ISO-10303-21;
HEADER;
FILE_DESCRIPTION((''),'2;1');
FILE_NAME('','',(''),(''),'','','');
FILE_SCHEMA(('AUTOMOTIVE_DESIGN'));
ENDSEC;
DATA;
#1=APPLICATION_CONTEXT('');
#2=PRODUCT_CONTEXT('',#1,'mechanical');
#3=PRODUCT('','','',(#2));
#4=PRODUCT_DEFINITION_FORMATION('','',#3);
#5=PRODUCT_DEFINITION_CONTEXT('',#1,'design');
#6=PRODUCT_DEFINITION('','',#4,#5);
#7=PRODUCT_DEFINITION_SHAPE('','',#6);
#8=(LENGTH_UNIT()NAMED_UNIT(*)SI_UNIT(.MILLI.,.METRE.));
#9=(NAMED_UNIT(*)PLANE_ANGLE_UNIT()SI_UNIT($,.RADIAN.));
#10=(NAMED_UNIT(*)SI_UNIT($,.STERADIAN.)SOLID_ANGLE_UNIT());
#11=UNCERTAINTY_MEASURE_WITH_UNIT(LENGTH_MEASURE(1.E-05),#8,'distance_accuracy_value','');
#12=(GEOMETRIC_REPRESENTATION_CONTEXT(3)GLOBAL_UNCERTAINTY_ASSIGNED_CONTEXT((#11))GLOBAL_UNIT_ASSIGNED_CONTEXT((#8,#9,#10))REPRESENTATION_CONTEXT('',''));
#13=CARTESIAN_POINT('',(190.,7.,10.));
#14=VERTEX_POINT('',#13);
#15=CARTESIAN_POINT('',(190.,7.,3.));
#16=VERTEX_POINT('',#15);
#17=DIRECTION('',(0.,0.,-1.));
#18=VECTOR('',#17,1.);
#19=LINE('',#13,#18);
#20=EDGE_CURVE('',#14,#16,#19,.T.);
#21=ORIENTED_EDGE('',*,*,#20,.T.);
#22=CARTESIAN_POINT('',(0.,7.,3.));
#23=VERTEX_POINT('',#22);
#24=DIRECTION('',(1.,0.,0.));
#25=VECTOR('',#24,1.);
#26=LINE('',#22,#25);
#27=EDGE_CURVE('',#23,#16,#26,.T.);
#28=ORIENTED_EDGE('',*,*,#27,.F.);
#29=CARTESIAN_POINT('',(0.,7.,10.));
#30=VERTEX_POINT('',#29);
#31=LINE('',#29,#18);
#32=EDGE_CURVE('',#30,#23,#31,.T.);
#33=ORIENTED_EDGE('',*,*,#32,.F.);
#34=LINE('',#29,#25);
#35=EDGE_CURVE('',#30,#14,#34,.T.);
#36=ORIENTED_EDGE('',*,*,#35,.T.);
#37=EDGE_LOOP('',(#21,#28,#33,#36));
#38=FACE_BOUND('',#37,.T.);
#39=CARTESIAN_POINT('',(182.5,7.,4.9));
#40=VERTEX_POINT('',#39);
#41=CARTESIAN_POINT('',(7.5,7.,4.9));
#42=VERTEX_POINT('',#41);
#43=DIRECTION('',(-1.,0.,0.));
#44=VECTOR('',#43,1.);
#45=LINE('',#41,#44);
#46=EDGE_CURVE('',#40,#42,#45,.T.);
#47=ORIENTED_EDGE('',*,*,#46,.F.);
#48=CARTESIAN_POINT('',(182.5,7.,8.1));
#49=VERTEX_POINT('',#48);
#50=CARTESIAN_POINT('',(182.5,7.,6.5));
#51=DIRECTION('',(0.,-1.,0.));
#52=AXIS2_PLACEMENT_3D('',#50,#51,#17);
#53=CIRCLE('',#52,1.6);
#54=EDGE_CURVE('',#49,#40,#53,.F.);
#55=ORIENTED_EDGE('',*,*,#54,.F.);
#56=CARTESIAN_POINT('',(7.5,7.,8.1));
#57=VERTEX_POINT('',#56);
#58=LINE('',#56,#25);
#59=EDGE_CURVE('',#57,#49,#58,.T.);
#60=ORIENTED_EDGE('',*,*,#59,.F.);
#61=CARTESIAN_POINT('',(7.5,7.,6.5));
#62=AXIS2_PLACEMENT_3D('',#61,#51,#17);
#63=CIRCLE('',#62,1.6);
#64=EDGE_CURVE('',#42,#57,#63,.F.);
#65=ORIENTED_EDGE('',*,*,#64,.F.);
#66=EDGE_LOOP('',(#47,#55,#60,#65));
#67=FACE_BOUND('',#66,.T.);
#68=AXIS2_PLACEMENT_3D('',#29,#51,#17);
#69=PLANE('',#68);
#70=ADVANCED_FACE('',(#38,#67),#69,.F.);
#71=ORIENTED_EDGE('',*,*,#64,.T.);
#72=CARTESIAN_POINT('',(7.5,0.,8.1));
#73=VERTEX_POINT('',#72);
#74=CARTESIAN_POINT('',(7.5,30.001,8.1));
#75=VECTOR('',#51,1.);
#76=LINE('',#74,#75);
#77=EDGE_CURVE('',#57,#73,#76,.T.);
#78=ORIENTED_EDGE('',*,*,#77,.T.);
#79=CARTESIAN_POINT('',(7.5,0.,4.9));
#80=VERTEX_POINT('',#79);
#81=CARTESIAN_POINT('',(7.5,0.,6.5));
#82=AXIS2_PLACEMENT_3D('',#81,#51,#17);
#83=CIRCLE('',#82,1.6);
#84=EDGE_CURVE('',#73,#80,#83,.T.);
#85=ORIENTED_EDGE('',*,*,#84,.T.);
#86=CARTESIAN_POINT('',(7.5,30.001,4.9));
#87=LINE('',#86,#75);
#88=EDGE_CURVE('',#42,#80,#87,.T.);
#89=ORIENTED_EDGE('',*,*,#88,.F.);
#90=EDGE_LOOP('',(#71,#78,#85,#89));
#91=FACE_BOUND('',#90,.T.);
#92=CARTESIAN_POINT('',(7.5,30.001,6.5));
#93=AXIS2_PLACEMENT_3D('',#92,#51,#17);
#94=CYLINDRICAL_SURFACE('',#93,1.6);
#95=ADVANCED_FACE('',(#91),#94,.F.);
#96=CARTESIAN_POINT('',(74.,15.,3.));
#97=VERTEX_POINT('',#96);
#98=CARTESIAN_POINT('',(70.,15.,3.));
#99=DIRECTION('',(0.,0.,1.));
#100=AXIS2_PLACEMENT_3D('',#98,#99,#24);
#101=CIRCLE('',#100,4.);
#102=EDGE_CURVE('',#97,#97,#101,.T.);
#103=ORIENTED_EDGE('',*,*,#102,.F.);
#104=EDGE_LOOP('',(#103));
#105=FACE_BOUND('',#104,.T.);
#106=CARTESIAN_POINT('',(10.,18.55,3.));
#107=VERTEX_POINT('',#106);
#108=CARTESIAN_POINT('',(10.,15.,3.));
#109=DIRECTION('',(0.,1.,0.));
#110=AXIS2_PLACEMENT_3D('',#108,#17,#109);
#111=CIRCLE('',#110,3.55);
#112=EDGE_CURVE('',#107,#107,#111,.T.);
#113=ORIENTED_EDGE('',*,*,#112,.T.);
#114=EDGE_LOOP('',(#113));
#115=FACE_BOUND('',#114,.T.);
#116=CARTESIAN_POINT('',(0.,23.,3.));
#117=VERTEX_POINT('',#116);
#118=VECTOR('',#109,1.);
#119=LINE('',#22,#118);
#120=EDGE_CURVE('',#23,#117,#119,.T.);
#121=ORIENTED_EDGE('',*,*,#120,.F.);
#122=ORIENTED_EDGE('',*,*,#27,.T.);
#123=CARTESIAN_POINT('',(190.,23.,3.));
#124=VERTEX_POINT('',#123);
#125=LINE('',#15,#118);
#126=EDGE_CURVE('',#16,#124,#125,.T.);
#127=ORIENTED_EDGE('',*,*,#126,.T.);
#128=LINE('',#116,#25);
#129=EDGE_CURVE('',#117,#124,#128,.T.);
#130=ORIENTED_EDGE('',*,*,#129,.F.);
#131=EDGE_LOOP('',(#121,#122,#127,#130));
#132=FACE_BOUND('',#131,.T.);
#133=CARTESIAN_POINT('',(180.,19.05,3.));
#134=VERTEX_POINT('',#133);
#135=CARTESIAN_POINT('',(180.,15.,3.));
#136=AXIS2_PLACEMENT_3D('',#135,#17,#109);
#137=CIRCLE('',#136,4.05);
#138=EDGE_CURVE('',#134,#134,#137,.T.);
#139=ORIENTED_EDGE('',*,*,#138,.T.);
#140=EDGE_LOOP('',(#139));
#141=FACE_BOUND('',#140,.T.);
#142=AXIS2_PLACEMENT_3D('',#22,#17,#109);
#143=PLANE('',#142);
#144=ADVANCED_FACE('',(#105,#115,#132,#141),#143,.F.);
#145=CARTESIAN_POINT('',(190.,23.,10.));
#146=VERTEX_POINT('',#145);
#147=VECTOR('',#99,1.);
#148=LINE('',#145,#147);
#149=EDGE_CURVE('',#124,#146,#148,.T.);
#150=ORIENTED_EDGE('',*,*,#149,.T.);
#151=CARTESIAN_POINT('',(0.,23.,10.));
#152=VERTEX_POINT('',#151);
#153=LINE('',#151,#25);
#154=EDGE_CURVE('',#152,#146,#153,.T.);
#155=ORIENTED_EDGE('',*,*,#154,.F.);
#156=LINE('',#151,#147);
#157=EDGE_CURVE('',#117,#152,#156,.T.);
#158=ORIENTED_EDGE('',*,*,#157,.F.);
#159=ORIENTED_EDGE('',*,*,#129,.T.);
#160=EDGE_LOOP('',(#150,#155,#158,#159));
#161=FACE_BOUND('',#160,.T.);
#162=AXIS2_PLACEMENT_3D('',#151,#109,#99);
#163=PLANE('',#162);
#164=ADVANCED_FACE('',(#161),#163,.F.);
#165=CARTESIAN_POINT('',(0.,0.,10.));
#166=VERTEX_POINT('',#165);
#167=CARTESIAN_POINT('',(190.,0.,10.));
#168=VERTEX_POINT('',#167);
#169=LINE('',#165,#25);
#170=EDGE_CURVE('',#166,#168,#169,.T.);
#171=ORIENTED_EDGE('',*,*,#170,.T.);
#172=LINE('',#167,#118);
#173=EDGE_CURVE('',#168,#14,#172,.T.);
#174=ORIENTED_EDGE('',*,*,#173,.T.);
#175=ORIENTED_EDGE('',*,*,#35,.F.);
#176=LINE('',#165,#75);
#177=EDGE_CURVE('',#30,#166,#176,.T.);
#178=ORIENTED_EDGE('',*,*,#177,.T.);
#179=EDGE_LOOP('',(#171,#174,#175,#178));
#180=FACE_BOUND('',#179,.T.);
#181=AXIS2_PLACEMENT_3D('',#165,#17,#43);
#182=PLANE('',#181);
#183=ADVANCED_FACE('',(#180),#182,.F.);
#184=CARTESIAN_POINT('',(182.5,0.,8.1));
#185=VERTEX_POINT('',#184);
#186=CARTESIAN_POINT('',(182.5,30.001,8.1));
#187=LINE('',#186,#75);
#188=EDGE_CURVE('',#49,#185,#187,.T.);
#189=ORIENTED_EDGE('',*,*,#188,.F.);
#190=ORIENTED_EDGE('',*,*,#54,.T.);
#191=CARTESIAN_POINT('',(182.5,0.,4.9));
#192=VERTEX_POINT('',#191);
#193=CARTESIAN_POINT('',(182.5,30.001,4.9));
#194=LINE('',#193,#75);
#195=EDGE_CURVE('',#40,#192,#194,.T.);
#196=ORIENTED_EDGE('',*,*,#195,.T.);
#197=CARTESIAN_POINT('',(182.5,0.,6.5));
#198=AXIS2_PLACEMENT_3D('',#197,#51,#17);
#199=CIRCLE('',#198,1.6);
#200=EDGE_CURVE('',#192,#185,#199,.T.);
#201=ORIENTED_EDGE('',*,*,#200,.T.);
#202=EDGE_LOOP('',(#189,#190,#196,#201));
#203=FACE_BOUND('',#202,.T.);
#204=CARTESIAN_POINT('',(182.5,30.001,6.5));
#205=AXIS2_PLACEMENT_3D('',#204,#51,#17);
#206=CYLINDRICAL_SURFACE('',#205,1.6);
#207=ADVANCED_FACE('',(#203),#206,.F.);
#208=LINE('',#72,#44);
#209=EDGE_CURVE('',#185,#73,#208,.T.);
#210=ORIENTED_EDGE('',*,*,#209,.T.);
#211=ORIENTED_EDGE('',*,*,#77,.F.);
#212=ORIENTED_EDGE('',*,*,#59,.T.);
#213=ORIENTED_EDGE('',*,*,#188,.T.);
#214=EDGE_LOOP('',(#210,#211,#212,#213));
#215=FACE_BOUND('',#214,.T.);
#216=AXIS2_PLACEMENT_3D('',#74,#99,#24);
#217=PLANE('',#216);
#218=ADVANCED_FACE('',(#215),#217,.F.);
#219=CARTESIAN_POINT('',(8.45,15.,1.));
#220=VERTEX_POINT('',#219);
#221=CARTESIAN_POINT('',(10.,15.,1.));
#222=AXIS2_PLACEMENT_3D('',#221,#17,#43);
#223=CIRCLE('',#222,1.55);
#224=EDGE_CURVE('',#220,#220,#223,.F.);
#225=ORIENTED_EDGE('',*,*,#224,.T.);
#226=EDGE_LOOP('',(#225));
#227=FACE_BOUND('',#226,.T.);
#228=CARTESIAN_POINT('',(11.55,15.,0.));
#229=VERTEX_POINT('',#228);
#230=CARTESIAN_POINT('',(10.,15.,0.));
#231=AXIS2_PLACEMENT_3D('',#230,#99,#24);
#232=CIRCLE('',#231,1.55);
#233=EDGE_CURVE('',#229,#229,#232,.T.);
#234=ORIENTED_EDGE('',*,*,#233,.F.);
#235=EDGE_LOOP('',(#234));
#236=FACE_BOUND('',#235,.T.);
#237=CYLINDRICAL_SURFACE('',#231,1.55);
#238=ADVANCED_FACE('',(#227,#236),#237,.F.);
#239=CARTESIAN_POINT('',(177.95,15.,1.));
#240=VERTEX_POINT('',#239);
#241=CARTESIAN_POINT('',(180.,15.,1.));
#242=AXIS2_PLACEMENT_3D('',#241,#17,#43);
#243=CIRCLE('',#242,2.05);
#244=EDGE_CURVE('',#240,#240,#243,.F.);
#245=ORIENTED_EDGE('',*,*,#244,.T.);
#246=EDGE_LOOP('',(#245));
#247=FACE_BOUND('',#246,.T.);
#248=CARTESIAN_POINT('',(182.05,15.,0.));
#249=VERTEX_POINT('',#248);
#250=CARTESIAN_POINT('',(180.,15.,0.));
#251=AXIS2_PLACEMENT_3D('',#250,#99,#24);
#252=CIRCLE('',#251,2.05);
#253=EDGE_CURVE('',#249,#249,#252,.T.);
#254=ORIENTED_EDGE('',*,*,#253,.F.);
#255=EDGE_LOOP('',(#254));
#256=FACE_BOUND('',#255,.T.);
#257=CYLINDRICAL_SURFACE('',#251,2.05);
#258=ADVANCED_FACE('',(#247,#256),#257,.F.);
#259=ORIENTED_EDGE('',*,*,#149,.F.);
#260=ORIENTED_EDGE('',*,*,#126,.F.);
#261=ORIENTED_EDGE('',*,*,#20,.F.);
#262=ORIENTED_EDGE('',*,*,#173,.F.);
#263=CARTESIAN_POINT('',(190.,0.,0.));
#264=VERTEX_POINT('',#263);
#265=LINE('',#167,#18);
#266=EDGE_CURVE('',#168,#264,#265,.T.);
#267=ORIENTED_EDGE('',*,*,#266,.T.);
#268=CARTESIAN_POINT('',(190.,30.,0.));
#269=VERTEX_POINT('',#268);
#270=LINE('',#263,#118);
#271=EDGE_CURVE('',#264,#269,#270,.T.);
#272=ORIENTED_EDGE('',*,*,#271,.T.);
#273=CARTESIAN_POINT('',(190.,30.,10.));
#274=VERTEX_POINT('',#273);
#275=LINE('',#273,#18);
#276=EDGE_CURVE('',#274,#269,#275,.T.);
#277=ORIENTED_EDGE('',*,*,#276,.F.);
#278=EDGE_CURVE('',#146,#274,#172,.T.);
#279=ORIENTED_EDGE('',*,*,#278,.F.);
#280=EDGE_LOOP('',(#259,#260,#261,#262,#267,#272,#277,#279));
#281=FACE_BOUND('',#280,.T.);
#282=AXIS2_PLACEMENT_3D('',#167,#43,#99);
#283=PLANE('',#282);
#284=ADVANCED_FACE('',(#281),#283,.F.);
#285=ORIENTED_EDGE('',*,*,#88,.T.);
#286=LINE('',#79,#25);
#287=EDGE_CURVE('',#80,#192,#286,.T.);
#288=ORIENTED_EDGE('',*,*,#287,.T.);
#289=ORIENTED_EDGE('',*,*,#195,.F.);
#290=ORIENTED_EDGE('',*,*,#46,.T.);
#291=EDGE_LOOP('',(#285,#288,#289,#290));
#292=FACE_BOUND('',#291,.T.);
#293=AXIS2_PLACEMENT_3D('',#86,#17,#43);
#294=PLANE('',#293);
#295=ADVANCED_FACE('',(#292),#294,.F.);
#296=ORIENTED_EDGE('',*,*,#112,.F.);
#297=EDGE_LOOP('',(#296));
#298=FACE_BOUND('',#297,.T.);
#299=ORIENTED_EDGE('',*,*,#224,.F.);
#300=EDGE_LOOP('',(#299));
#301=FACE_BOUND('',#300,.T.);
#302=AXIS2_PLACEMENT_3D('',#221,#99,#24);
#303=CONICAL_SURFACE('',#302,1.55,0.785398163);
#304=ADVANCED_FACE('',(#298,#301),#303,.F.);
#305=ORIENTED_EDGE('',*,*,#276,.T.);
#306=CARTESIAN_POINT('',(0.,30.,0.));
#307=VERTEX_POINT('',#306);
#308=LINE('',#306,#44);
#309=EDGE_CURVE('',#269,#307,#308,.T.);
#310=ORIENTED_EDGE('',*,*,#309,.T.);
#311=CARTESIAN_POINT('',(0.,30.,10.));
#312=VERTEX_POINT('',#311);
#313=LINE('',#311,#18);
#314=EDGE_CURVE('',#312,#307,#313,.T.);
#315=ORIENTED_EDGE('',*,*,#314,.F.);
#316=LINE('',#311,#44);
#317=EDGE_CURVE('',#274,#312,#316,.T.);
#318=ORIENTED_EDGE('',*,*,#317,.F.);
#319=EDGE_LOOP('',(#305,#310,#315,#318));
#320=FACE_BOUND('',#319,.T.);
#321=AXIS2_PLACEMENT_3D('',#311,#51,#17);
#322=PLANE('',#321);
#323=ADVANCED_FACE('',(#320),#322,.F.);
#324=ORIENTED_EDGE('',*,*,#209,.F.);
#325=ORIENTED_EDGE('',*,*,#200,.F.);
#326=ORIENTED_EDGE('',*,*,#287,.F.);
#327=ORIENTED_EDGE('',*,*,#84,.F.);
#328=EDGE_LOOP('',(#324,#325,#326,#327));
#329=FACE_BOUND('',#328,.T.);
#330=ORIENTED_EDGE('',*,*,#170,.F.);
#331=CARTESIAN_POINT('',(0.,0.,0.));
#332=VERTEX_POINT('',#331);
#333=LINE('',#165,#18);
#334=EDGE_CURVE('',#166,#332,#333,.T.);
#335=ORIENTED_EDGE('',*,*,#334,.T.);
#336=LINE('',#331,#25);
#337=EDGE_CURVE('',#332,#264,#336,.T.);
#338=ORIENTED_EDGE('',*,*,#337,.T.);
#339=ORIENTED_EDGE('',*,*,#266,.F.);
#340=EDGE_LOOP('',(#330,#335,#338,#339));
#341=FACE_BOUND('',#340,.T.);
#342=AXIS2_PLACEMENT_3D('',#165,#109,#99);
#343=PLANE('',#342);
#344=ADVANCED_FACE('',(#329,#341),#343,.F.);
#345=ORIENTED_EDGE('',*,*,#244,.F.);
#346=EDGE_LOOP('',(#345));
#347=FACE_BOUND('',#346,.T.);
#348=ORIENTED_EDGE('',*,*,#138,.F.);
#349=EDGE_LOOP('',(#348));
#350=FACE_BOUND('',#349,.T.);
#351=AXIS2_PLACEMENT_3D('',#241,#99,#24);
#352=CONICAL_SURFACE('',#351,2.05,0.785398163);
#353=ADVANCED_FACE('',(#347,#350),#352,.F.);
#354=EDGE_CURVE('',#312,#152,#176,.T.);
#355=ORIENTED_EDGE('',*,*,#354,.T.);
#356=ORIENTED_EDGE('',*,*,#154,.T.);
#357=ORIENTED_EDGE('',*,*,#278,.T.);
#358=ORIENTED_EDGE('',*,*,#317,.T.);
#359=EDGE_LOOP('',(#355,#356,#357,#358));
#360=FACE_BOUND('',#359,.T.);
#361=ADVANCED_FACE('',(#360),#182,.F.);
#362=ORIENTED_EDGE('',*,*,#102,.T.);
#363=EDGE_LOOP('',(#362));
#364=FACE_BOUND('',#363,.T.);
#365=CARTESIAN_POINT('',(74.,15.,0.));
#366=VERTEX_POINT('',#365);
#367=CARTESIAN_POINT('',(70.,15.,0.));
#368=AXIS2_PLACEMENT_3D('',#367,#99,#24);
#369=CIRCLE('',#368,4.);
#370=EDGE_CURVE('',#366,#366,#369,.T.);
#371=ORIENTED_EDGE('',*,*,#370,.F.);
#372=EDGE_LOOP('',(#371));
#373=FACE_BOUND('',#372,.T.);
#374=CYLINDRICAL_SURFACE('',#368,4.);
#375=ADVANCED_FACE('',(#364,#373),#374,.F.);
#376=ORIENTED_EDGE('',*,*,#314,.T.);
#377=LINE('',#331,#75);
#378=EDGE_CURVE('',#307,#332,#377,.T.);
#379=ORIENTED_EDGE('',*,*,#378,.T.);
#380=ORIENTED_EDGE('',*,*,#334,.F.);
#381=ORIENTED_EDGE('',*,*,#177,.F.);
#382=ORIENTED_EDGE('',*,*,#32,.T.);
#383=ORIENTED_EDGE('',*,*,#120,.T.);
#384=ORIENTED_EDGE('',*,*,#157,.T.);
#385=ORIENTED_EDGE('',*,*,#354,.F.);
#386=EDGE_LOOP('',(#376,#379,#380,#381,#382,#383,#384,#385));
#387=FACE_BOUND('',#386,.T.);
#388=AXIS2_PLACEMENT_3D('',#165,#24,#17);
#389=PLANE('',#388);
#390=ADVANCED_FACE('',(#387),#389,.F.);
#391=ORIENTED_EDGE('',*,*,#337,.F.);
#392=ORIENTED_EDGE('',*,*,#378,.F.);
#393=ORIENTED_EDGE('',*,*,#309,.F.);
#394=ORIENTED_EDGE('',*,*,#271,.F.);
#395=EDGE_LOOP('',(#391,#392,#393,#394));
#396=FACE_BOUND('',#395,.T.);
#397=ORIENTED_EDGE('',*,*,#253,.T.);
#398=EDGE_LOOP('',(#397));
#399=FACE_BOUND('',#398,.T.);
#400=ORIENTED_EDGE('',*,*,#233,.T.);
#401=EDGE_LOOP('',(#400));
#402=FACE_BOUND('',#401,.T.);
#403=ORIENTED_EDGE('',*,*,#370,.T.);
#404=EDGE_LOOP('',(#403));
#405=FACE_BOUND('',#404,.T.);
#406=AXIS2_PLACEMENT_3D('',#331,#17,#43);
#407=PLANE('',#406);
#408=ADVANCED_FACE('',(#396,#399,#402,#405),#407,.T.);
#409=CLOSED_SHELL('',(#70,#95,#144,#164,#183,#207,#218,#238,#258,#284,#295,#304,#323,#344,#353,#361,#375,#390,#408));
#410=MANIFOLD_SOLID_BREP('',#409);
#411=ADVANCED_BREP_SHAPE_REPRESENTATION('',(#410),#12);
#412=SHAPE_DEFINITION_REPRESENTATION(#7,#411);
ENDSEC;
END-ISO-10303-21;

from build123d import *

# Parameters (mm, degrees)
SKETCH1_W           = 190
SKETCH1_H           = 30
BOSS_EXTRUDE1_DEPTH = 10
SKETCH2_W           = 7
SKETCH2_H           = 16
CUT_EXTRUDE1_DEPTH  = 191
CUT_EXTRUDE2_REACH  = 32
SKETCH4_R           = 2.05
SKETCH4_R_2         = 1.55
SKETCH4_R_3         = 4
CUT_EXTRUDE3_DEPTH  = 4
CHAMFER1_SIZE       = 2
CHAMFER2_SIZE       = 2


with BuildPart() as part:
    # Sketch1 → Boss-Extrude1 (new body)
    with BuildSketch(Plane.XY):
        with Locations((95, 15)):
            Rectangle(SKETCH1_W, SKETCH1_H)
    extrude(amount=BOSS_EXTRUDE1_DEPTH)

    # Sketch2 → Cut-Extrude1 (cut, through all)
    with BuildSketch(Plane(origin=(190, 0, 0), x_dir=(0, 0, -1), z_dir=(1, 0, 0))):
        with Locations((-6.5, 15)):
            Rectangle(SKETCH2_W, SKETCH2_H)
    extrude(amount=-CUT_EXTRUDE1_DEPTH, mode=Mode.SUBTRACT)

    # Sketch3 → Cut-Extrude2 (cut, up to next)
    with BuildSketch(Plane.XZ, mode=Mode.PRIVATE) as cut_extrude2_sk1:
        with BuildLine():
            Line((7.5, 8.1), (182.5, 8.1))
            ThreePointArc((182.5, 8.1), (184.1, 6.5), (182.5, 4.9))
            Line((182.5, 4.9), (7.5, 4.9))
            ThreePointArc((7.5, 4.9), (5.9, 6.5), (7.5, 8.1))
        make_face()
    cut_extrude2_tool1 = extrude(cut_extrude2_sk1.sketch, amount=-CUT_EXTRUDE2_REACH, mode=Mode.PRIVATE) & part.part
    add(cut_extrude2_tool1.solids().sort_by_distance((95, 0, 6.5))[0], mode=Mode.SUBTRACT)

    # Sketch4 → Cut-Extrude3 (cut, through all)
    with BuildSketch(Plane.XY.offset(3)):
        with Locations((180, 15)):
            Circle(SKETCH4_R)
        with Locations((10, 15)):
            Circle(SKETCH4_R_2)
        with Locations((70, 15)):
            Circle(SKETCH4_R_3)
    extrude(amount=-CUT_EXTRUDE3_DEPTH, mode=Mode.SUBTRACT)

    # Chamfer1
    chamfer1_edges = [part.edges().sort_by_distance(p)[0] for p in [
        (177.95, 15, 3),
    ]]
    chamfer(chamfer1_edges, length=CHAMFER1_SIZE)

    # Chamfer2
    chamfer2_edges = [part.edges().sort_by_distance(p)[0] for p in [
        (8.45, 15, 3),
    ]]
    chamfer(chamfer2_edges, length=CHAMFER2_SIZE)


solid = part.part
